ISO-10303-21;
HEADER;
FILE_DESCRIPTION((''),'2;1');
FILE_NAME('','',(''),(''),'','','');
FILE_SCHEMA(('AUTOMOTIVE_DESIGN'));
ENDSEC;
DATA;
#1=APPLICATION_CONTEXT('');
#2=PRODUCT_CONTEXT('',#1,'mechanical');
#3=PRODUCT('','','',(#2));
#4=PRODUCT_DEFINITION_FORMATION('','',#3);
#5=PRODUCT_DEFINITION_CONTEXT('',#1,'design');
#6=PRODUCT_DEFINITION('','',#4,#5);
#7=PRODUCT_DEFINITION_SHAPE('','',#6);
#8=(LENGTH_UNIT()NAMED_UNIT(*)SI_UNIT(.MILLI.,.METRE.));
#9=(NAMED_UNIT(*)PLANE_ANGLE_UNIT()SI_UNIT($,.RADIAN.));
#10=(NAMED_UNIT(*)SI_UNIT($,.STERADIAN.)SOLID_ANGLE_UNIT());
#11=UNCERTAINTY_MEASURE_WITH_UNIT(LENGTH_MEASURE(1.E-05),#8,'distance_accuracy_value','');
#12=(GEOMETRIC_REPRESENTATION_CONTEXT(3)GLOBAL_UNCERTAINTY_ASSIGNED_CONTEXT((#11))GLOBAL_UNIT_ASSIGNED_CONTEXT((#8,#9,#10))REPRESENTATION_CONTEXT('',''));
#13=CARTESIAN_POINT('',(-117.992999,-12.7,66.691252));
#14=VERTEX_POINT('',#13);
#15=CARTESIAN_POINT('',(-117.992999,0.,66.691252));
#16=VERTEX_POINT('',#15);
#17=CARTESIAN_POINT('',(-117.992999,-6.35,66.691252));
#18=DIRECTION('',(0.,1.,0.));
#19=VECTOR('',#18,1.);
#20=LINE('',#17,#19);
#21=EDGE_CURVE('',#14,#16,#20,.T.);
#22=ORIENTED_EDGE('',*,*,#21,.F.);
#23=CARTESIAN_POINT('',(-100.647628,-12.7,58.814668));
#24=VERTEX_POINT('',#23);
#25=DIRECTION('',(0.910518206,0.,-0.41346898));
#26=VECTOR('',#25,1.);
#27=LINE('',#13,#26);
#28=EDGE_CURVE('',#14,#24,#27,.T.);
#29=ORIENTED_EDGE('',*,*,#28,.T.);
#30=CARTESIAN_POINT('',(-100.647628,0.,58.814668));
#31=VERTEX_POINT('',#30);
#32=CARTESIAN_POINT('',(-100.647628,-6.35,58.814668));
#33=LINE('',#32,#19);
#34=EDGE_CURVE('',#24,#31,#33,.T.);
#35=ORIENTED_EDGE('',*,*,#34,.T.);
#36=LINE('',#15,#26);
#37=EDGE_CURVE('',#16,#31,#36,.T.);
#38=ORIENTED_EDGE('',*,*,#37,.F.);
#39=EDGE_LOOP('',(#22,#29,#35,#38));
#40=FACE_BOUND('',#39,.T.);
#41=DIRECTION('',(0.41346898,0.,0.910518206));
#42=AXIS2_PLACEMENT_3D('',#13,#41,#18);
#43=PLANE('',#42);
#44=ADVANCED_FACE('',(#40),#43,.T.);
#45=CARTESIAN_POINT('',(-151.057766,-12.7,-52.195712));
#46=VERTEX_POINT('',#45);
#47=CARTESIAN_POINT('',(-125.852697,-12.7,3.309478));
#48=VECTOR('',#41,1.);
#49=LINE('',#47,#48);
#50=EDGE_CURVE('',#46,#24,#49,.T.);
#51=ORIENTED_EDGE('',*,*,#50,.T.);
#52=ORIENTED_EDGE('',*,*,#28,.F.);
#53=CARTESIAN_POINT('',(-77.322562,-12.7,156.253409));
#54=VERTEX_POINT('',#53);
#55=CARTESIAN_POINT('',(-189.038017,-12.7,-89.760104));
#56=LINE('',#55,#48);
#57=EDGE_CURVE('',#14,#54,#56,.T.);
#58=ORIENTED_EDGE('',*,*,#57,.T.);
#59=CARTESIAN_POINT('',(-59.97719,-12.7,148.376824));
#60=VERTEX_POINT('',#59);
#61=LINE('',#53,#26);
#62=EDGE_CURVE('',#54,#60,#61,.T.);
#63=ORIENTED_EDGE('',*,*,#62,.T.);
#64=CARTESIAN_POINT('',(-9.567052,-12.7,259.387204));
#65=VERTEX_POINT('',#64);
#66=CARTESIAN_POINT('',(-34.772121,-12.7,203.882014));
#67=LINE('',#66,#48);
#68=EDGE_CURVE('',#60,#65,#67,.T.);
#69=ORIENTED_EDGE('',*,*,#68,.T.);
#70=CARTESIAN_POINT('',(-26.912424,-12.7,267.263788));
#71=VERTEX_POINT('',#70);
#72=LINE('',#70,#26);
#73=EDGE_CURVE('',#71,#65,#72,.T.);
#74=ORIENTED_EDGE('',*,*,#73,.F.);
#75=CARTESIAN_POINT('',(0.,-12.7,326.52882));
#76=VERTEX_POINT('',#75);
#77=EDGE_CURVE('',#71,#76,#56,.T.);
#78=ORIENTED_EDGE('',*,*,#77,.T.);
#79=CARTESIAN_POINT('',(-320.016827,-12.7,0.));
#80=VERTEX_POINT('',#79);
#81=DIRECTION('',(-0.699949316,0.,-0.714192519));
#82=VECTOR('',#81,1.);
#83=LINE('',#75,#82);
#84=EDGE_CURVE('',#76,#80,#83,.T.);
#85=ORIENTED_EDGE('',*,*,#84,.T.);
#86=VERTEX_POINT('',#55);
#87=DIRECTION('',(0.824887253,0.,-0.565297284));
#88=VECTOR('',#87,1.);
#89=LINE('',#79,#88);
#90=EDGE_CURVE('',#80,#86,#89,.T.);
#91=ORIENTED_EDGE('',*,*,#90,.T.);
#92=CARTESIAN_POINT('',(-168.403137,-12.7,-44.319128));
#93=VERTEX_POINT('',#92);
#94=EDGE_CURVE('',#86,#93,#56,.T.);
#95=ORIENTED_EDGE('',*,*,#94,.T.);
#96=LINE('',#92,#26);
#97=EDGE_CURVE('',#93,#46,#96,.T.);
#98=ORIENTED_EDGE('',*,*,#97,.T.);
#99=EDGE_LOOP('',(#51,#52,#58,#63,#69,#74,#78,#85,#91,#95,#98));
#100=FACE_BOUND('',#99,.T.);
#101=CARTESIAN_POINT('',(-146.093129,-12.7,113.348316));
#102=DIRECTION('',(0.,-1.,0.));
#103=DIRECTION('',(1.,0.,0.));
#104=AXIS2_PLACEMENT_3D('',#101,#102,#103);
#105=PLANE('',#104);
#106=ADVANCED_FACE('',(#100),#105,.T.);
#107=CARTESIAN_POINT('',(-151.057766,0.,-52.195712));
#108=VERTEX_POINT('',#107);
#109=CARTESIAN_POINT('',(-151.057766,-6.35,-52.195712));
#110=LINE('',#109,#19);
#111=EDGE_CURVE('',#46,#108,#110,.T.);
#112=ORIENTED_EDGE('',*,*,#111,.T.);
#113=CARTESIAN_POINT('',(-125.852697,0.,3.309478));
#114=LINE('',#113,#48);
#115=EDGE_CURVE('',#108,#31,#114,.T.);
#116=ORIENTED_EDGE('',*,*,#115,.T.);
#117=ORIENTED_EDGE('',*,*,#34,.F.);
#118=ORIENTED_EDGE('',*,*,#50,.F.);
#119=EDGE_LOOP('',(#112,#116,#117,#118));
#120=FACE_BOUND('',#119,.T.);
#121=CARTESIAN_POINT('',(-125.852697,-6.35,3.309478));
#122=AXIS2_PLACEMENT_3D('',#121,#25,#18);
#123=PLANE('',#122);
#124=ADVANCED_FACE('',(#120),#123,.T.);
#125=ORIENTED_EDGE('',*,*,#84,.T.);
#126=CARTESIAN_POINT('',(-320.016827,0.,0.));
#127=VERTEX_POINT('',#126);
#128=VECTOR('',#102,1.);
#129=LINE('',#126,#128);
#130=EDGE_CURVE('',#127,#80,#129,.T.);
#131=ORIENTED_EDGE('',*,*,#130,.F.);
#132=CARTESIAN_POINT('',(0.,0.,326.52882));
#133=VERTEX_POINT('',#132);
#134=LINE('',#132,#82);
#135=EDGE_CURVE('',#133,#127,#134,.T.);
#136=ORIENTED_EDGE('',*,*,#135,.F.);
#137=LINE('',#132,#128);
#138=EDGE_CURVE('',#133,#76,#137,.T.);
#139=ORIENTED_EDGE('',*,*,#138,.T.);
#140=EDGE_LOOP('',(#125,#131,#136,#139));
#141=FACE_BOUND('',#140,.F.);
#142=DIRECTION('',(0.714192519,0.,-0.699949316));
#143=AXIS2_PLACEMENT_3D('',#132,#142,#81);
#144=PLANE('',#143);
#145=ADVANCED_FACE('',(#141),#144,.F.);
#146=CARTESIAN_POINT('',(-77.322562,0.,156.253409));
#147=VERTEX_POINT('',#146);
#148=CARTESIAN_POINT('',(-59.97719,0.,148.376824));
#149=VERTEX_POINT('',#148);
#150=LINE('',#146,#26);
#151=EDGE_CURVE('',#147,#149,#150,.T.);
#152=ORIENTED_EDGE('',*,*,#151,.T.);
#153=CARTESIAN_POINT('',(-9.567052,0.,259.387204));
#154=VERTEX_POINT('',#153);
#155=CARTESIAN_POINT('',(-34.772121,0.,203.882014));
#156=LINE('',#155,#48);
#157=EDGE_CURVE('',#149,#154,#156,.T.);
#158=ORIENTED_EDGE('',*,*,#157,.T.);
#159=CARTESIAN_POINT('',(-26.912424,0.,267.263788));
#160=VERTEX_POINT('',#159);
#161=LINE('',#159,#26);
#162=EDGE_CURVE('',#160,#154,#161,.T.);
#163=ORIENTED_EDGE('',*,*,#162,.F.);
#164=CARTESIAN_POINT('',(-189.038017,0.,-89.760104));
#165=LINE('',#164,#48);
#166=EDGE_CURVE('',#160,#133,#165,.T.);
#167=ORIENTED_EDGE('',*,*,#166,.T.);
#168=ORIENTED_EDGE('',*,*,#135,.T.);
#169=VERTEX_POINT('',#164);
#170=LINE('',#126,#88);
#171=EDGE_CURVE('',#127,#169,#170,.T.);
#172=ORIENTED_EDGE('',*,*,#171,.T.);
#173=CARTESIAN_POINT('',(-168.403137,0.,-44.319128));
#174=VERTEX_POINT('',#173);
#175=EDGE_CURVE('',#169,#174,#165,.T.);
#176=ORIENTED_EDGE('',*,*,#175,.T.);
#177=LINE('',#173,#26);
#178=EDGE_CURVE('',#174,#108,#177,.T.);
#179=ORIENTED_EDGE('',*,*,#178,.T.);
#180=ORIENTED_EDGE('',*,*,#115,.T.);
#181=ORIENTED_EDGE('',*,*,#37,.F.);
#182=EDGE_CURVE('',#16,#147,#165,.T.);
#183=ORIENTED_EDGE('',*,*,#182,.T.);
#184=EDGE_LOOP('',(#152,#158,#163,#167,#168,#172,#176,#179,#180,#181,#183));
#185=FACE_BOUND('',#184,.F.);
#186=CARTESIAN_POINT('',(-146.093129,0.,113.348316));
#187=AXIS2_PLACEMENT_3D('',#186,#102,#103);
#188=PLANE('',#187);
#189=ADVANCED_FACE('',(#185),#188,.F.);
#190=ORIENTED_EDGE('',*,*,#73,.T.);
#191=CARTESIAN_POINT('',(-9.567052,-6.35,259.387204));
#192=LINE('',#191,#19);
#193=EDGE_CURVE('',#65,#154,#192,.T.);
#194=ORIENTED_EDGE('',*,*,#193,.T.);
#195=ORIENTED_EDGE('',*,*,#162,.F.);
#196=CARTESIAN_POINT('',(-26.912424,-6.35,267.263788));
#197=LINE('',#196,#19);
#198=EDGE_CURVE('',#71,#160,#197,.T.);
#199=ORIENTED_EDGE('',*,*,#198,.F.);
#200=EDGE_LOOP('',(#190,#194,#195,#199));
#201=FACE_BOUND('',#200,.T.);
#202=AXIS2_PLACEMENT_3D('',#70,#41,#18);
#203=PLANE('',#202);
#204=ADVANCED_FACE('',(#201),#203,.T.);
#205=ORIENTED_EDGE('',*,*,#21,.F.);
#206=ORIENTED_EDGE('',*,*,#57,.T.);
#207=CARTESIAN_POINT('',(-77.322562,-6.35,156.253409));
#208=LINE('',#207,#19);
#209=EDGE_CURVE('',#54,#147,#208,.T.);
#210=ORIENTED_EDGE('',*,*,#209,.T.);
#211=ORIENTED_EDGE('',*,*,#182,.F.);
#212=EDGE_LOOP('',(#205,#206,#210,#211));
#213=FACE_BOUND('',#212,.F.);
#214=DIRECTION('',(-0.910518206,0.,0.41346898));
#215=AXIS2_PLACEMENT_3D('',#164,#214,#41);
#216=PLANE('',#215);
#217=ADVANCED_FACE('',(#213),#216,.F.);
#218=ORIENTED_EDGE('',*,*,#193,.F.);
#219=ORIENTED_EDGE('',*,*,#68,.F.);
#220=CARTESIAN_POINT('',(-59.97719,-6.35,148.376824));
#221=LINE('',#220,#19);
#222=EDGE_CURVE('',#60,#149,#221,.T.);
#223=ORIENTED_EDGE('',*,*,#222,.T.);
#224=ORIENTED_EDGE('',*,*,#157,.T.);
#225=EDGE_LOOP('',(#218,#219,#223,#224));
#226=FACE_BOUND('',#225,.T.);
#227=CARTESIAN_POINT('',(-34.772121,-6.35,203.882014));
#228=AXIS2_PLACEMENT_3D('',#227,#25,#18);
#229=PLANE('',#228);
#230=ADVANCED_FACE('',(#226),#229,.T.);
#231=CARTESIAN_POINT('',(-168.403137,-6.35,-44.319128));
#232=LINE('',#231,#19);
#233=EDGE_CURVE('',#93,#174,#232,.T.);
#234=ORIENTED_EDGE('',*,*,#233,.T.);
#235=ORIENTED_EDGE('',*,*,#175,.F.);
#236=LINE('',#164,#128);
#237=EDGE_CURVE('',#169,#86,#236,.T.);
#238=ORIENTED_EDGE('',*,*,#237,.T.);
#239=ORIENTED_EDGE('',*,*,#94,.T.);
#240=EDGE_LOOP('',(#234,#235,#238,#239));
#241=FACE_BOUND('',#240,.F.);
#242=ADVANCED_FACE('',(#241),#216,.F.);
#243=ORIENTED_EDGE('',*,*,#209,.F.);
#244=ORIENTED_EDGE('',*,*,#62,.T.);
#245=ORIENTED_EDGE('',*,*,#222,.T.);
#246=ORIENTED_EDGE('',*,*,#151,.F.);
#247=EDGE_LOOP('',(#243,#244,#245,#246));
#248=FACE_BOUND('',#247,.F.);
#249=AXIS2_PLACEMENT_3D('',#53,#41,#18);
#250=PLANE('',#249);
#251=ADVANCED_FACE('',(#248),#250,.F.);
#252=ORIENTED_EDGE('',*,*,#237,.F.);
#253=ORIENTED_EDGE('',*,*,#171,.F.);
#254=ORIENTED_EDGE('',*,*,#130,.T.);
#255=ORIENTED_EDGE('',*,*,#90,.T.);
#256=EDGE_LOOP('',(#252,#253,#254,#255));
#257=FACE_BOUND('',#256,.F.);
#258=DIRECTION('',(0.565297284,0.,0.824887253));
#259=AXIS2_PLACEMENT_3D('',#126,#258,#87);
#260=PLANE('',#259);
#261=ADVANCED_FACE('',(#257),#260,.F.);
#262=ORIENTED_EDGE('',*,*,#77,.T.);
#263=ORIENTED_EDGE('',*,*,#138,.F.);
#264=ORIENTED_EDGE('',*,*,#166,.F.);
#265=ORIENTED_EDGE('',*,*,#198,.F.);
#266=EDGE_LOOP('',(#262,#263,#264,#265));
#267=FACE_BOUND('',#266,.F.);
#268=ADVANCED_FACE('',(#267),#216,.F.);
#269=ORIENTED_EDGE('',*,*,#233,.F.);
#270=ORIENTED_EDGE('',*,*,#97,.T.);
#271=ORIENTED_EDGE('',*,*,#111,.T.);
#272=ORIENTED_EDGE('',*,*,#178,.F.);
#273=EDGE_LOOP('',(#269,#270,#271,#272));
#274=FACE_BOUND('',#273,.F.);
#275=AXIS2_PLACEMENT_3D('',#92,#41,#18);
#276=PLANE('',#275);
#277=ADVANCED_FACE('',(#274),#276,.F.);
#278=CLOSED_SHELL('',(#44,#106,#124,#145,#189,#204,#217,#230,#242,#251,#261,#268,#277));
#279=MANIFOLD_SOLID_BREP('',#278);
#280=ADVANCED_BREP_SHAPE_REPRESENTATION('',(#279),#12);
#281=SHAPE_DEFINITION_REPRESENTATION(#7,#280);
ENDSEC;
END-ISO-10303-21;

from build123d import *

# Parameters (mm, degrees)
F1_DEPTH = 12.7
F2_W     = 12.7
F2_H     = 121.92
F3_DEPTH = 19.05


with BuildPart() as f1:
    # F0 (on Front) → F1 (new body)
    with BuildSketch(Plane.XZ):
        Polygon((0, 326.5288198487), (-320.0168273829, 0), (-189.0380174544, -89.7601038052), align=None)
    extrude(amount=F1_DEPTH)

    # F2 (on face) → F3 (join)
    with BuildSketch(Plane(origin=(-122.9286422393, 0, 55.8222558826), x_dir=(0, 1, 0), z_dir=(0.9105182057, 0, -0.4134689796))):
        with Locations((-6.35, 171.261092267)):
            Rectangle(F2_W, F2_H)
        with Locations((-6.35, -49.0228463048)):
            Rectangle(F2_W, F2_H)
    extrude(amount=F3_DEPTH)


solid = f1.part
